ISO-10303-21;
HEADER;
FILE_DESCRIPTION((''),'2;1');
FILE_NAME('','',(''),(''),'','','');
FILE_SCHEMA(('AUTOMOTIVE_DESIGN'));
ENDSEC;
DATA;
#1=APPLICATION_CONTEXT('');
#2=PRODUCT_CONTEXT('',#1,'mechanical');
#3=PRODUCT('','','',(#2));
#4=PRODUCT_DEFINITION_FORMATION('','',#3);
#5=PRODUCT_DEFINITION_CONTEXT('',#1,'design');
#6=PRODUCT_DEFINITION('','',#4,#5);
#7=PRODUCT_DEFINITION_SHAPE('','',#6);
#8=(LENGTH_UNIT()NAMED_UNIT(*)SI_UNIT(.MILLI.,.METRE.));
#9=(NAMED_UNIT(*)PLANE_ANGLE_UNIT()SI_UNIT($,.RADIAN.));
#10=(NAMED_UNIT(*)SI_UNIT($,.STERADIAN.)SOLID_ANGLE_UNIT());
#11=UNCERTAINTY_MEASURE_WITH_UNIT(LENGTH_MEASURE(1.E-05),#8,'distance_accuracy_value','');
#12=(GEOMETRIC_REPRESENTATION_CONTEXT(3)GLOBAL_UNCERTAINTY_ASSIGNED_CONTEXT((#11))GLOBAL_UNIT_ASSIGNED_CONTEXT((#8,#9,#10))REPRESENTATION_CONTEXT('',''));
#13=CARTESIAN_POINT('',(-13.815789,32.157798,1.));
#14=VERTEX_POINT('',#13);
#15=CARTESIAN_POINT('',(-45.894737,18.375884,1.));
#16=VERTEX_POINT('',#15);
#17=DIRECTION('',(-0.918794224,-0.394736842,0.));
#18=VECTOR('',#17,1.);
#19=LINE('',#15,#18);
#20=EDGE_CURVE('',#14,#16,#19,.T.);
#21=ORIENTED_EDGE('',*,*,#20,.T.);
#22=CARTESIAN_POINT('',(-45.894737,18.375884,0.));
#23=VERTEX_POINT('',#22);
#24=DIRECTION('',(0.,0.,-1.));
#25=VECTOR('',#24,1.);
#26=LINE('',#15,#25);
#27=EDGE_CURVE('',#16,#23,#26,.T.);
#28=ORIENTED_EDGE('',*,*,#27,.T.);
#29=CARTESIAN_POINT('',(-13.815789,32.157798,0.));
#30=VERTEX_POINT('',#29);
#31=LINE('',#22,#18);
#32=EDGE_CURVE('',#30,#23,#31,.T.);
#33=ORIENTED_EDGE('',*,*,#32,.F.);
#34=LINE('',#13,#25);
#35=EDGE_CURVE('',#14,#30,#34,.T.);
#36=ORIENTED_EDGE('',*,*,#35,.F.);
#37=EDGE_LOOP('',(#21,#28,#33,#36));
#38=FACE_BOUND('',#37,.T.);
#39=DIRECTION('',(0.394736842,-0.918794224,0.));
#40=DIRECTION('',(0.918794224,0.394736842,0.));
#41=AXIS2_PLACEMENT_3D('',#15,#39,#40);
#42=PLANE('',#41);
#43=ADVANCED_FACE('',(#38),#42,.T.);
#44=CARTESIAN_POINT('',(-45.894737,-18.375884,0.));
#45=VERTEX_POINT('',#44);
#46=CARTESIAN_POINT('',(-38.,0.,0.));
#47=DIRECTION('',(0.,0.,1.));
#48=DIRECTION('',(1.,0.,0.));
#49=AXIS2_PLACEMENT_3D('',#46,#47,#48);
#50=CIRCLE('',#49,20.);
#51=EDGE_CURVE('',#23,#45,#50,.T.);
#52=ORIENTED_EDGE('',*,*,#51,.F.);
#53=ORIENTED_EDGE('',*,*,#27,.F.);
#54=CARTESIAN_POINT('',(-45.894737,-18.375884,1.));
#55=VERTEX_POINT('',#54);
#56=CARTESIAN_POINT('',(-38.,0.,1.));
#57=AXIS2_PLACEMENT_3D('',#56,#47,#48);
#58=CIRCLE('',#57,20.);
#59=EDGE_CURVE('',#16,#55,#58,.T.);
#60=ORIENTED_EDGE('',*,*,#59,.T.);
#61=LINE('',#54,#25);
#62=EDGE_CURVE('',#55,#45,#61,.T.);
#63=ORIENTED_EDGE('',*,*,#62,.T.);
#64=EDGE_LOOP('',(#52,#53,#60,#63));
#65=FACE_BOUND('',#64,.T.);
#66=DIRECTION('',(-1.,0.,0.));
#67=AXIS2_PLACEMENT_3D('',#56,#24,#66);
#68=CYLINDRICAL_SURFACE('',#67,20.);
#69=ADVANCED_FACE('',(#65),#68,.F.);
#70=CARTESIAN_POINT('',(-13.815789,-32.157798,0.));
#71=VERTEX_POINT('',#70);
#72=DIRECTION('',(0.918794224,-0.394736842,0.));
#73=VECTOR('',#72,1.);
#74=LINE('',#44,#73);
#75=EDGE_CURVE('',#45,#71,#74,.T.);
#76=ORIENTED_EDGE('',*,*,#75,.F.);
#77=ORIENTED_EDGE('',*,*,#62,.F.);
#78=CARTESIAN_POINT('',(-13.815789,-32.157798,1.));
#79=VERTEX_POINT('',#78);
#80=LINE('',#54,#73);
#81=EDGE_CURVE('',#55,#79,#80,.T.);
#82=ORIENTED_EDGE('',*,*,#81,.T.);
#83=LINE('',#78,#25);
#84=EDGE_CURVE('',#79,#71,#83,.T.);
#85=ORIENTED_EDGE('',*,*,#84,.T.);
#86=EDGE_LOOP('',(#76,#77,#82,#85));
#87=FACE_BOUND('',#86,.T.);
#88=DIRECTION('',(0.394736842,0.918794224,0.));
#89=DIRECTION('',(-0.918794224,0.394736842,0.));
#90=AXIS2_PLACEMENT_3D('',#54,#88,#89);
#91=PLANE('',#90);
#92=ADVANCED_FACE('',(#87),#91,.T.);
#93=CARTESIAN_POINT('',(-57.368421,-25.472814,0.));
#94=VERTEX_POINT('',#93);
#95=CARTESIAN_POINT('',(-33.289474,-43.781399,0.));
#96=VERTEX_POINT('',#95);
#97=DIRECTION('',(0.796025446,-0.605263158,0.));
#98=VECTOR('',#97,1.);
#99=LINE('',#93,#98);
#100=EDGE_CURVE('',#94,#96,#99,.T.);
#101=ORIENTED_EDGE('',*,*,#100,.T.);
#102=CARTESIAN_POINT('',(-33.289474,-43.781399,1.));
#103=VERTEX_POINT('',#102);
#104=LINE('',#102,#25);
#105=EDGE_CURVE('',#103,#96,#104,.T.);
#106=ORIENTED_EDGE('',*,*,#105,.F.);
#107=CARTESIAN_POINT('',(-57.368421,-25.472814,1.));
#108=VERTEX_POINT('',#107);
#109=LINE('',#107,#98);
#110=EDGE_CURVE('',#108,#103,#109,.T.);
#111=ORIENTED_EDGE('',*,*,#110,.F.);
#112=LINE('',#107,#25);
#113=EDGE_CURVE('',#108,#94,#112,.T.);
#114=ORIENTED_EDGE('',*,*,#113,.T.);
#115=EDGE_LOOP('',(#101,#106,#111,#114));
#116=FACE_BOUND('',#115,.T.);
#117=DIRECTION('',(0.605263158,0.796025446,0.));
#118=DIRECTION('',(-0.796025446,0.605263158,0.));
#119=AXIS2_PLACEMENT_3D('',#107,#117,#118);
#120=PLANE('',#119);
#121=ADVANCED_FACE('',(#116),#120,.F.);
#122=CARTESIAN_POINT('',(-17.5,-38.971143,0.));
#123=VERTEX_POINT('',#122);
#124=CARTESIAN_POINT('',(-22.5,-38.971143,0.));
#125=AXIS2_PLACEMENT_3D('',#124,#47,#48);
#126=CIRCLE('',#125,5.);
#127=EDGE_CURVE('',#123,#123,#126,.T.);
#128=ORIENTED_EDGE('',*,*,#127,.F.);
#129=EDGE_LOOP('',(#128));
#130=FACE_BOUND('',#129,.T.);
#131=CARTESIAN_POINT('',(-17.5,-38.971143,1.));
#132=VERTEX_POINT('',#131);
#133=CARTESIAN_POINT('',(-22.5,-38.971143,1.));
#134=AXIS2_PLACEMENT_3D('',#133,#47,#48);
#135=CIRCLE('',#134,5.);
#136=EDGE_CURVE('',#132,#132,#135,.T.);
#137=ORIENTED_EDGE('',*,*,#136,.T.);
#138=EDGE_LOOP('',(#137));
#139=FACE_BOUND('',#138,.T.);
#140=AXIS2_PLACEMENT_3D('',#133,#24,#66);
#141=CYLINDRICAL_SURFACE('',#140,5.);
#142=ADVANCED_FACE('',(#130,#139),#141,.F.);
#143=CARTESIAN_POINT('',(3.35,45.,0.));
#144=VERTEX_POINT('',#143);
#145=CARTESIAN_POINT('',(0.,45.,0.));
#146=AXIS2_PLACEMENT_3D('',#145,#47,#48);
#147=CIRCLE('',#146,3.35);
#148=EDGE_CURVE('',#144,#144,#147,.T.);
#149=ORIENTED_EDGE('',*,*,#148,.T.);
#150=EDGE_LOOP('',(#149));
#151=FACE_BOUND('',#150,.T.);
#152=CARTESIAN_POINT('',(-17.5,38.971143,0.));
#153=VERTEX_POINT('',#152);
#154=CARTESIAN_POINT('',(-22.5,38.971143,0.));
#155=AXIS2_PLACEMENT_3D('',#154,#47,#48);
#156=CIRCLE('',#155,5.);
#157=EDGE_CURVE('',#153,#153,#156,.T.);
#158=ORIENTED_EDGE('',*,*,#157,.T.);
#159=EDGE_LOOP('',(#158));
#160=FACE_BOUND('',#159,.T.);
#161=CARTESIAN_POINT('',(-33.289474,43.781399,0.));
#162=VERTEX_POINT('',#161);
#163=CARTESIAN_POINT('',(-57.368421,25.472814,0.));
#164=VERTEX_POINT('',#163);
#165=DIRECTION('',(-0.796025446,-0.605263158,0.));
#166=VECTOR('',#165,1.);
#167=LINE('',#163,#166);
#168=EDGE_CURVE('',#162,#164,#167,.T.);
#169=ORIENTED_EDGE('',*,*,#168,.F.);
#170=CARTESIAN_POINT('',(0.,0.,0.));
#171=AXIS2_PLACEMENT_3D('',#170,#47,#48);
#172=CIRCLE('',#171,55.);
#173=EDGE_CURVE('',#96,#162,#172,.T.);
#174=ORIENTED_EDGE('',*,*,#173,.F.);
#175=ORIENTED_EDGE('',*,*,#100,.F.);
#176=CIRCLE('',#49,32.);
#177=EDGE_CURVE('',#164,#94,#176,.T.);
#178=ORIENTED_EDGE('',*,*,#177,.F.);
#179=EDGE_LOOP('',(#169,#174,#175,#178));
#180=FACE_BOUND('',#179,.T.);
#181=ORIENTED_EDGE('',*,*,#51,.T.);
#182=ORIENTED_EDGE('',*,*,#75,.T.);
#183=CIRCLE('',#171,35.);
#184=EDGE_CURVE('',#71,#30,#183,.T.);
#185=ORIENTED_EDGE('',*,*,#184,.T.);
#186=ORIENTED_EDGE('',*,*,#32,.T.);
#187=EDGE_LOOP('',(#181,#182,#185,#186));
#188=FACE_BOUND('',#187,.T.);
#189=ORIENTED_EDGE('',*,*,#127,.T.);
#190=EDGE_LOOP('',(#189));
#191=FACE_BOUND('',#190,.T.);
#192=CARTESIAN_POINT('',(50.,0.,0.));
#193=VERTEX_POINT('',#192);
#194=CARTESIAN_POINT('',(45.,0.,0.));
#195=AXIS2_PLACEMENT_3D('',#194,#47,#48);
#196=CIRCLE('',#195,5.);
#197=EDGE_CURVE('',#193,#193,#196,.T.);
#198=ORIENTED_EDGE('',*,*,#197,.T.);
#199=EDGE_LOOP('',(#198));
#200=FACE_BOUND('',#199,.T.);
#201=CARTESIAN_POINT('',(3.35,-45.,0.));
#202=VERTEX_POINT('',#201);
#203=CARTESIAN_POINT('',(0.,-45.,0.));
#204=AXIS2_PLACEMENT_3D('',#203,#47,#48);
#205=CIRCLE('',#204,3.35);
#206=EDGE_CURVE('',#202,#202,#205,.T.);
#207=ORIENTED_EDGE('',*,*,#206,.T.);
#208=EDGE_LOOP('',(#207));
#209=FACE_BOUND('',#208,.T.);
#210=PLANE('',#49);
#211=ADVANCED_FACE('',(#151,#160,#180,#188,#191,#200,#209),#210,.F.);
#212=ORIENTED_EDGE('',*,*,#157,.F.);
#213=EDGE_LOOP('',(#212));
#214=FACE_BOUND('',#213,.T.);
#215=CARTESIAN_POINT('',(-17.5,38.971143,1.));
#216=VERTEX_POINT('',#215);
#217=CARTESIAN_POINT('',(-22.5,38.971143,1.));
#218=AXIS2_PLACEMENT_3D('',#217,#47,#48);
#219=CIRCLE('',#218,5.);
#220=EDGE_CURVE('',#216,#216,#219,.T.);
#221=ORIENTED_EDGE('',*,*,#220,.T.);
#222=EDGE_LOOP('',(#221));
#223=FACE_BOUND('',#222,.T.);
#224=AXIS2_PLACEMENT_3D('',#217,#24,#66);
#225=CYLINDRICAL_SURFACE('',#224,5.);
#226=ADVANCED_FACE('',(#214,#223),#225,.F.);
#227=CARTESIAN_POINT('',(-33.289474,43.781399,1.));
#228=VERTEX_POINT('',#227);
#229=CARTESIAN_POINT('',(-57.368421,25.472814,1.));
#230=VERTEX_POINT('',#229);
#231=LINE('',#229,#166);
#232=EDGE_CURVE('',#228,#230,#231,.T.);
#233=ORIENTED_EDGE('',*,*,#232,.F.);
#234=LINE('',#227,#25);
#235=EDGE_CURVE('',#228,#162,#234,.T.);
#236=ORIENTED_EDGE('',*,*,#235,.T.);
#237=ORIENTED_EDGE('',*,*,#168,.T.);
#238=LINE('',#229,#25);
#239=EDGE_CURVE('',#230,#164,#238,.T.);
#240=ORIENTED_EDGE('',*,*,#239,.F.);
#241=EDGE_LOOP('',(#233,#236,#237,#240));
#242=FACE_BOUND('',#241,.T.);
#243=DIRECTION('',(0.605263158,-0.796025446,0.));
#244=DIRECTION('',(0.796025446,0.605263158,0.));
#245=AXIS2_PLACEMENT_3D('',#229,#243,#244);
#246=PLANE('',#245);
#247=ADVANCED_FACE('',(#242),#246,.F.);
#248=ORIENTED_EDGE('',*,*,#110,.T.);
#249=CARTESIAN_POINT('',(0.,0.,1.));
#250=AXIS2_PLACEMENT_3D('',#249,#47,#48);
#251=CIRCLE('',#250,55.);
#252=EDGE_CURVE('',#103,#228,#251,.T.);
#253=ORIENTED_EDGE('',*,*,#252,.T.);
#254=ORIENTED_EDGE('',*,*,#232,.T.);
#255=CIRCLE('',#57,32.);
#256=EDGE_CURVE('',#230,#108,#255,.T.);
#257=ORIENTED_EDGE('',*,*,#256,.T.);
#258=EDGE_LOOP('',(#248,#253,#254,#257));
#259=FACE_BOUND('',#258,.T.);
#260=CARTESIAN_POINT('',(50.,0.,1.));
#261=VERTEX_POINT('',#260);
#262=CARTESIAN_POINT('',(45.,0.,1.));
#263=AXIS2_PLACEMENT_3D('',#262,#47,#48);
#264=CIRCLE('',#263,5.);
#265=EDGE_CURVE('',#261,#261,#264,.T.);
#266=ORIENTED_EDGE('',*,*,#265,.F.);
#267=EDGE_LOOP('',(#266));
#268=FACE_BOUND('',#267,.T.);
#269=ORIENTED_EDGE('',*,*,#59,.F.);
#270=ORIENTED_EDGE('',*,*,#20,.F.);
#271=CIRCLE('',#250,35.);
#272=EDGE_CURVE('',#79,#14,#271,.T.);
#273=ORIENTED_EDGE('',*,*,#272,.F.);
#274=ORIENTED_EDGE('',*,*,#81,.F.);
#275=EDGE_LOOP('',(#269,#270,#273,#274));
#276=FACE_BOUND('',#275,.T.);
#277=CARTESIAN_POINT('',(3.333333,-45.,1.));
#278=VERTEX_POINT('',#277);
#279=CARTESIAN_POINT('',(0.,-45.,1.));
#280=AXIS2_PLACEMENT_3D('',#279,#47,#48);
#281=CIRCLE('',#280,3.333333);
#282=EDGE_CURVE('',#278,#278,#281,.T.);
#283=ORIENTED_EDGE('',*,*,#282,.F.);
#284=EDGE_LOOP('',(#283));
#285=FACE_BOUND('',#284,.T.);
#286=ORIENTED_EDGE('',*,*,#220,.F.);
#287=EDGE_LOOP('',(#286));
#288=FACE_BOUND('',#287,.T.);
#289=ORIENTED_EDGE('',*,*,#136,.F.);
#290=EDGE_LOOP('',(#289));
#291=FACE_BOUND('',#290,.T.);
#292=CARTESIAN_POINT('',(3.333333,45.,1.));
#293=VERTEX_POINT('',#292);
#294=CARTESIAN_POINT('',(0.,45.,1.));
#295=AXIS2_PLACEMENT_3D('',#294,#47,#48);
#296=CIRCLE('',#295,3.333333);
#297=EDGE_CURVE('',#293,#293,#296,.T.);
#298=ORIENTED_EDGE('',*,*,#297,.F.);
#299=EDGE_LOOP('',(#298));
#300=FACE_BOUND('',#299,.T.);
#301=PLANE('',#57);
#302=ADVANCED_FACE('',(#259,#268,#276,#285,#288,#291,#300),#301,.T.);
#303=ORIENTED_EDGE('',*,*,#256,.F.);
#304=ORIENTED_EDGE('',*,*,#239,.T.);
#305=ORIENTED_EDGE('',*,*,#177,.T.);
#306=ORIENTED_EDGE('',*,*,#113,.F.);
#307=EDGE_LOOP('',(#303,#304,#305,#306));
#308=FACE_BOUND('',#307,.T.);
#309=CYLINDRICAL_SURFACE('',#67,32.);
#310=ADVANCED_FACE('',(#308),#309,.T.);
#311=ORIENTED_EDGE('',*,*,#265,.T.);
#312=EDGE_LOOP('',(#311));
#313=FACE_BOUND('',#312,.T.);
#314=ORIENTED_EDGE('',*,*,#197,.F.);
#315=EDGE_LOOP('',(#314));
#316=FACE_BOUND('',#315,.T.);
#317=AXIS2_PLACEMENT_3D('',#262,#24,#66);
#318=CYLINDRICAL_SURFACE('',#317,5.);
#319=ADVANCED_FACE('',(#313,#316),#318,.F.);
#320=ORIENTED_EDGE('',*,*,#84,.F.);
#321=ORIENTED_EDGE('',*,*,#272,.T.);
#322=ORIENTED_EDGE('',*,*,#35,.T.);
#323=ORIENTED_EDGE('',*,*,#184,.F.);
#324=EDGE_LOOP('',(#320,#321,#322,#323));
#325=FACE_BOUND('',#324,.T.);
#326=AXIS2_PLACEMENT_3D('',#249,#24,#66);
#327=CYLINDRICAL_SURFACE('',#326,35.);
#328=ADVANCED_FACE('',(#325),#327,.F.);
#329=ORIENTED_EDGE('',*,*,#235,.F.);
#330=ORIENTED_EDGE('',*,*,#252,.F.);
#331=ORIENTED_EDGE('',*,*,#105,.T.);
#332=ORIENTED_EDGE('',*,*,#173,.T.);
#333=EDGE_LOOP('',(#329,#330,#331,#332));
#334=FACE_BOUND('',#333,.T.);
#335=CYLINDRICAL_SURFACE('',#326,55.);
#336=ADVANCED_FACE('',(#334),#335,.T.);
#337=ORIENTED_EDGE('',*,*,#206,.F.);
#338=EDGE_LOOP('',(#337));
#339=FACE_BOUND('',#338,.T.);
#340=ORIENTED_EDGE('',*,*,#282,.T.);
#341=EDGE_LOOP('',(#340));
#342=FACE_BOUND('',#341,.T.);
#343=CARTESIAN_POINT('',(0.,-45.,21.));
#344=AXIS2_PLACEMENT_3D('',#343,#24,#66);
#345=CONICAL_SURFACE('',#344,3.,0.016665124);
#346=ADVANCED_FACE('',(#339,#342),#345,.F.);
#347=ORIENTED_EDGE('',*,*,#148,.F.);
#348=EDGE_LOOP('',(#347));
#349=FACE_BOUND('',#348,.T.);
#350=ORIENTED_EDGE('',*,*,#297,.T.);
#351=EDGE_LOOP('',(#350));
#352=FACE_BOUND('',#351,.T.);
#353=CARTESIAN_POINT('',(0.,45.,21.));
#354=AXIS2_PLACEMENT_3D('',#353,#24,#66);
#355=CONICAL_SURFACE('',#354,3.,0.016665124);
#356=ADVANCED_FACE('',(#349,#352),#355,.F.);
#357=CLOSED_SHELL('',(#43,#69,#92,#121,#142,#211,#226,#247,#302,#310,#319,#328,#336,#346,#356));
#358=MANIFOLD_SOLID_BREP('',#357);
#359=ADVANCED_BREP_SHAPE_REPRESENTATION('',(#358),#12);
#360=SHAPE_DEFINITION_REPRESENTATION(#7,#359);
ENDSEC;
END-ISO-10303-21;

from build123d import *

# Parameters (mm, degrees)
SKETCH_1_R      = 5
EXTRUDE_1_DEPTH = 1
SKETCH_3_R      = 3
SKETCH_2_R      = 3.75


with BuildPart() as part:
    # Эскиз1 → Бобышка-Вытянуть1 (new body)
    with BuildSketch(Plane.XY):
        with BuildLine():
            Line((-57.368421028, 25.472814244), (-33.289473642, 43.781399484))
            ThreePointArc((-33.289473642, 43.781399484), (54.999999965, 0), (-33.289473642, -43.781399484))
            Line((-33.289473642, -43.781399484), (-57.368421028, -25.472814244))
            ThreePointArc((-57.368421028, -25.472814244), (-69.999999979, 0), (-57.368421028, 25.472814244))
        make_face()
        with Locations((-22.5, 38.97114317)):
            Circle(SKETCH_1_R, mode=Mode.SUBTRACT)
        with Locations((45, 0)):
            Circle(SKETCH_1_R, mode=Mode.SUBTRACT)
        with Locations((-22.5, -38.97114317)):
            Circle(SKETCH_1_R, mode=Mode.SUBTRACT)
        with BuildLine():
            Line((-45.894736842, 18.375884474), (-13.815789474, 32.157797829))
            ThreePointArc((-13.815789474, 32.157797829), (35, 0), (-13.815789474, -32.157797829))
            Line((-13.815789474, -32.157797829), (-45.894736842, -18.375884474))
            ThreePointArc((-45.894736842, -18.375884474), (-58, 0), (-45.894736842, 18.375884474))
        make_face(mode=Mode.SUBTRACT)
    extrude(amount=EXTRUDE_1_DEPTH)

    # Эскиз3 → Вырез-По сечениям1 section 0
    with BuildSketch(Plane.XY.offset(21)):
        with Locations((0, 45)):
            Circle(SKETCH_3_R)
    # Эскиз2 → Вырез-По сечениям1 section 1
    with BuildSketch(Plane(origin=(0, 0, -24), x_dir=(-1, 0, 0), z_dir=(0, 0, -1))):
        with Locations((0, 45)):
            Circle(SKETCH_2_R)
    loft_1 = loft(mode=Mode.SUBTRACT)

    # Зеркальное отражение1: Вырез-По сечениям1 across plane
    add(loft_1.mirror(Plane.ZX), mode=Mode.SUBTRACT)


solid = part.part
